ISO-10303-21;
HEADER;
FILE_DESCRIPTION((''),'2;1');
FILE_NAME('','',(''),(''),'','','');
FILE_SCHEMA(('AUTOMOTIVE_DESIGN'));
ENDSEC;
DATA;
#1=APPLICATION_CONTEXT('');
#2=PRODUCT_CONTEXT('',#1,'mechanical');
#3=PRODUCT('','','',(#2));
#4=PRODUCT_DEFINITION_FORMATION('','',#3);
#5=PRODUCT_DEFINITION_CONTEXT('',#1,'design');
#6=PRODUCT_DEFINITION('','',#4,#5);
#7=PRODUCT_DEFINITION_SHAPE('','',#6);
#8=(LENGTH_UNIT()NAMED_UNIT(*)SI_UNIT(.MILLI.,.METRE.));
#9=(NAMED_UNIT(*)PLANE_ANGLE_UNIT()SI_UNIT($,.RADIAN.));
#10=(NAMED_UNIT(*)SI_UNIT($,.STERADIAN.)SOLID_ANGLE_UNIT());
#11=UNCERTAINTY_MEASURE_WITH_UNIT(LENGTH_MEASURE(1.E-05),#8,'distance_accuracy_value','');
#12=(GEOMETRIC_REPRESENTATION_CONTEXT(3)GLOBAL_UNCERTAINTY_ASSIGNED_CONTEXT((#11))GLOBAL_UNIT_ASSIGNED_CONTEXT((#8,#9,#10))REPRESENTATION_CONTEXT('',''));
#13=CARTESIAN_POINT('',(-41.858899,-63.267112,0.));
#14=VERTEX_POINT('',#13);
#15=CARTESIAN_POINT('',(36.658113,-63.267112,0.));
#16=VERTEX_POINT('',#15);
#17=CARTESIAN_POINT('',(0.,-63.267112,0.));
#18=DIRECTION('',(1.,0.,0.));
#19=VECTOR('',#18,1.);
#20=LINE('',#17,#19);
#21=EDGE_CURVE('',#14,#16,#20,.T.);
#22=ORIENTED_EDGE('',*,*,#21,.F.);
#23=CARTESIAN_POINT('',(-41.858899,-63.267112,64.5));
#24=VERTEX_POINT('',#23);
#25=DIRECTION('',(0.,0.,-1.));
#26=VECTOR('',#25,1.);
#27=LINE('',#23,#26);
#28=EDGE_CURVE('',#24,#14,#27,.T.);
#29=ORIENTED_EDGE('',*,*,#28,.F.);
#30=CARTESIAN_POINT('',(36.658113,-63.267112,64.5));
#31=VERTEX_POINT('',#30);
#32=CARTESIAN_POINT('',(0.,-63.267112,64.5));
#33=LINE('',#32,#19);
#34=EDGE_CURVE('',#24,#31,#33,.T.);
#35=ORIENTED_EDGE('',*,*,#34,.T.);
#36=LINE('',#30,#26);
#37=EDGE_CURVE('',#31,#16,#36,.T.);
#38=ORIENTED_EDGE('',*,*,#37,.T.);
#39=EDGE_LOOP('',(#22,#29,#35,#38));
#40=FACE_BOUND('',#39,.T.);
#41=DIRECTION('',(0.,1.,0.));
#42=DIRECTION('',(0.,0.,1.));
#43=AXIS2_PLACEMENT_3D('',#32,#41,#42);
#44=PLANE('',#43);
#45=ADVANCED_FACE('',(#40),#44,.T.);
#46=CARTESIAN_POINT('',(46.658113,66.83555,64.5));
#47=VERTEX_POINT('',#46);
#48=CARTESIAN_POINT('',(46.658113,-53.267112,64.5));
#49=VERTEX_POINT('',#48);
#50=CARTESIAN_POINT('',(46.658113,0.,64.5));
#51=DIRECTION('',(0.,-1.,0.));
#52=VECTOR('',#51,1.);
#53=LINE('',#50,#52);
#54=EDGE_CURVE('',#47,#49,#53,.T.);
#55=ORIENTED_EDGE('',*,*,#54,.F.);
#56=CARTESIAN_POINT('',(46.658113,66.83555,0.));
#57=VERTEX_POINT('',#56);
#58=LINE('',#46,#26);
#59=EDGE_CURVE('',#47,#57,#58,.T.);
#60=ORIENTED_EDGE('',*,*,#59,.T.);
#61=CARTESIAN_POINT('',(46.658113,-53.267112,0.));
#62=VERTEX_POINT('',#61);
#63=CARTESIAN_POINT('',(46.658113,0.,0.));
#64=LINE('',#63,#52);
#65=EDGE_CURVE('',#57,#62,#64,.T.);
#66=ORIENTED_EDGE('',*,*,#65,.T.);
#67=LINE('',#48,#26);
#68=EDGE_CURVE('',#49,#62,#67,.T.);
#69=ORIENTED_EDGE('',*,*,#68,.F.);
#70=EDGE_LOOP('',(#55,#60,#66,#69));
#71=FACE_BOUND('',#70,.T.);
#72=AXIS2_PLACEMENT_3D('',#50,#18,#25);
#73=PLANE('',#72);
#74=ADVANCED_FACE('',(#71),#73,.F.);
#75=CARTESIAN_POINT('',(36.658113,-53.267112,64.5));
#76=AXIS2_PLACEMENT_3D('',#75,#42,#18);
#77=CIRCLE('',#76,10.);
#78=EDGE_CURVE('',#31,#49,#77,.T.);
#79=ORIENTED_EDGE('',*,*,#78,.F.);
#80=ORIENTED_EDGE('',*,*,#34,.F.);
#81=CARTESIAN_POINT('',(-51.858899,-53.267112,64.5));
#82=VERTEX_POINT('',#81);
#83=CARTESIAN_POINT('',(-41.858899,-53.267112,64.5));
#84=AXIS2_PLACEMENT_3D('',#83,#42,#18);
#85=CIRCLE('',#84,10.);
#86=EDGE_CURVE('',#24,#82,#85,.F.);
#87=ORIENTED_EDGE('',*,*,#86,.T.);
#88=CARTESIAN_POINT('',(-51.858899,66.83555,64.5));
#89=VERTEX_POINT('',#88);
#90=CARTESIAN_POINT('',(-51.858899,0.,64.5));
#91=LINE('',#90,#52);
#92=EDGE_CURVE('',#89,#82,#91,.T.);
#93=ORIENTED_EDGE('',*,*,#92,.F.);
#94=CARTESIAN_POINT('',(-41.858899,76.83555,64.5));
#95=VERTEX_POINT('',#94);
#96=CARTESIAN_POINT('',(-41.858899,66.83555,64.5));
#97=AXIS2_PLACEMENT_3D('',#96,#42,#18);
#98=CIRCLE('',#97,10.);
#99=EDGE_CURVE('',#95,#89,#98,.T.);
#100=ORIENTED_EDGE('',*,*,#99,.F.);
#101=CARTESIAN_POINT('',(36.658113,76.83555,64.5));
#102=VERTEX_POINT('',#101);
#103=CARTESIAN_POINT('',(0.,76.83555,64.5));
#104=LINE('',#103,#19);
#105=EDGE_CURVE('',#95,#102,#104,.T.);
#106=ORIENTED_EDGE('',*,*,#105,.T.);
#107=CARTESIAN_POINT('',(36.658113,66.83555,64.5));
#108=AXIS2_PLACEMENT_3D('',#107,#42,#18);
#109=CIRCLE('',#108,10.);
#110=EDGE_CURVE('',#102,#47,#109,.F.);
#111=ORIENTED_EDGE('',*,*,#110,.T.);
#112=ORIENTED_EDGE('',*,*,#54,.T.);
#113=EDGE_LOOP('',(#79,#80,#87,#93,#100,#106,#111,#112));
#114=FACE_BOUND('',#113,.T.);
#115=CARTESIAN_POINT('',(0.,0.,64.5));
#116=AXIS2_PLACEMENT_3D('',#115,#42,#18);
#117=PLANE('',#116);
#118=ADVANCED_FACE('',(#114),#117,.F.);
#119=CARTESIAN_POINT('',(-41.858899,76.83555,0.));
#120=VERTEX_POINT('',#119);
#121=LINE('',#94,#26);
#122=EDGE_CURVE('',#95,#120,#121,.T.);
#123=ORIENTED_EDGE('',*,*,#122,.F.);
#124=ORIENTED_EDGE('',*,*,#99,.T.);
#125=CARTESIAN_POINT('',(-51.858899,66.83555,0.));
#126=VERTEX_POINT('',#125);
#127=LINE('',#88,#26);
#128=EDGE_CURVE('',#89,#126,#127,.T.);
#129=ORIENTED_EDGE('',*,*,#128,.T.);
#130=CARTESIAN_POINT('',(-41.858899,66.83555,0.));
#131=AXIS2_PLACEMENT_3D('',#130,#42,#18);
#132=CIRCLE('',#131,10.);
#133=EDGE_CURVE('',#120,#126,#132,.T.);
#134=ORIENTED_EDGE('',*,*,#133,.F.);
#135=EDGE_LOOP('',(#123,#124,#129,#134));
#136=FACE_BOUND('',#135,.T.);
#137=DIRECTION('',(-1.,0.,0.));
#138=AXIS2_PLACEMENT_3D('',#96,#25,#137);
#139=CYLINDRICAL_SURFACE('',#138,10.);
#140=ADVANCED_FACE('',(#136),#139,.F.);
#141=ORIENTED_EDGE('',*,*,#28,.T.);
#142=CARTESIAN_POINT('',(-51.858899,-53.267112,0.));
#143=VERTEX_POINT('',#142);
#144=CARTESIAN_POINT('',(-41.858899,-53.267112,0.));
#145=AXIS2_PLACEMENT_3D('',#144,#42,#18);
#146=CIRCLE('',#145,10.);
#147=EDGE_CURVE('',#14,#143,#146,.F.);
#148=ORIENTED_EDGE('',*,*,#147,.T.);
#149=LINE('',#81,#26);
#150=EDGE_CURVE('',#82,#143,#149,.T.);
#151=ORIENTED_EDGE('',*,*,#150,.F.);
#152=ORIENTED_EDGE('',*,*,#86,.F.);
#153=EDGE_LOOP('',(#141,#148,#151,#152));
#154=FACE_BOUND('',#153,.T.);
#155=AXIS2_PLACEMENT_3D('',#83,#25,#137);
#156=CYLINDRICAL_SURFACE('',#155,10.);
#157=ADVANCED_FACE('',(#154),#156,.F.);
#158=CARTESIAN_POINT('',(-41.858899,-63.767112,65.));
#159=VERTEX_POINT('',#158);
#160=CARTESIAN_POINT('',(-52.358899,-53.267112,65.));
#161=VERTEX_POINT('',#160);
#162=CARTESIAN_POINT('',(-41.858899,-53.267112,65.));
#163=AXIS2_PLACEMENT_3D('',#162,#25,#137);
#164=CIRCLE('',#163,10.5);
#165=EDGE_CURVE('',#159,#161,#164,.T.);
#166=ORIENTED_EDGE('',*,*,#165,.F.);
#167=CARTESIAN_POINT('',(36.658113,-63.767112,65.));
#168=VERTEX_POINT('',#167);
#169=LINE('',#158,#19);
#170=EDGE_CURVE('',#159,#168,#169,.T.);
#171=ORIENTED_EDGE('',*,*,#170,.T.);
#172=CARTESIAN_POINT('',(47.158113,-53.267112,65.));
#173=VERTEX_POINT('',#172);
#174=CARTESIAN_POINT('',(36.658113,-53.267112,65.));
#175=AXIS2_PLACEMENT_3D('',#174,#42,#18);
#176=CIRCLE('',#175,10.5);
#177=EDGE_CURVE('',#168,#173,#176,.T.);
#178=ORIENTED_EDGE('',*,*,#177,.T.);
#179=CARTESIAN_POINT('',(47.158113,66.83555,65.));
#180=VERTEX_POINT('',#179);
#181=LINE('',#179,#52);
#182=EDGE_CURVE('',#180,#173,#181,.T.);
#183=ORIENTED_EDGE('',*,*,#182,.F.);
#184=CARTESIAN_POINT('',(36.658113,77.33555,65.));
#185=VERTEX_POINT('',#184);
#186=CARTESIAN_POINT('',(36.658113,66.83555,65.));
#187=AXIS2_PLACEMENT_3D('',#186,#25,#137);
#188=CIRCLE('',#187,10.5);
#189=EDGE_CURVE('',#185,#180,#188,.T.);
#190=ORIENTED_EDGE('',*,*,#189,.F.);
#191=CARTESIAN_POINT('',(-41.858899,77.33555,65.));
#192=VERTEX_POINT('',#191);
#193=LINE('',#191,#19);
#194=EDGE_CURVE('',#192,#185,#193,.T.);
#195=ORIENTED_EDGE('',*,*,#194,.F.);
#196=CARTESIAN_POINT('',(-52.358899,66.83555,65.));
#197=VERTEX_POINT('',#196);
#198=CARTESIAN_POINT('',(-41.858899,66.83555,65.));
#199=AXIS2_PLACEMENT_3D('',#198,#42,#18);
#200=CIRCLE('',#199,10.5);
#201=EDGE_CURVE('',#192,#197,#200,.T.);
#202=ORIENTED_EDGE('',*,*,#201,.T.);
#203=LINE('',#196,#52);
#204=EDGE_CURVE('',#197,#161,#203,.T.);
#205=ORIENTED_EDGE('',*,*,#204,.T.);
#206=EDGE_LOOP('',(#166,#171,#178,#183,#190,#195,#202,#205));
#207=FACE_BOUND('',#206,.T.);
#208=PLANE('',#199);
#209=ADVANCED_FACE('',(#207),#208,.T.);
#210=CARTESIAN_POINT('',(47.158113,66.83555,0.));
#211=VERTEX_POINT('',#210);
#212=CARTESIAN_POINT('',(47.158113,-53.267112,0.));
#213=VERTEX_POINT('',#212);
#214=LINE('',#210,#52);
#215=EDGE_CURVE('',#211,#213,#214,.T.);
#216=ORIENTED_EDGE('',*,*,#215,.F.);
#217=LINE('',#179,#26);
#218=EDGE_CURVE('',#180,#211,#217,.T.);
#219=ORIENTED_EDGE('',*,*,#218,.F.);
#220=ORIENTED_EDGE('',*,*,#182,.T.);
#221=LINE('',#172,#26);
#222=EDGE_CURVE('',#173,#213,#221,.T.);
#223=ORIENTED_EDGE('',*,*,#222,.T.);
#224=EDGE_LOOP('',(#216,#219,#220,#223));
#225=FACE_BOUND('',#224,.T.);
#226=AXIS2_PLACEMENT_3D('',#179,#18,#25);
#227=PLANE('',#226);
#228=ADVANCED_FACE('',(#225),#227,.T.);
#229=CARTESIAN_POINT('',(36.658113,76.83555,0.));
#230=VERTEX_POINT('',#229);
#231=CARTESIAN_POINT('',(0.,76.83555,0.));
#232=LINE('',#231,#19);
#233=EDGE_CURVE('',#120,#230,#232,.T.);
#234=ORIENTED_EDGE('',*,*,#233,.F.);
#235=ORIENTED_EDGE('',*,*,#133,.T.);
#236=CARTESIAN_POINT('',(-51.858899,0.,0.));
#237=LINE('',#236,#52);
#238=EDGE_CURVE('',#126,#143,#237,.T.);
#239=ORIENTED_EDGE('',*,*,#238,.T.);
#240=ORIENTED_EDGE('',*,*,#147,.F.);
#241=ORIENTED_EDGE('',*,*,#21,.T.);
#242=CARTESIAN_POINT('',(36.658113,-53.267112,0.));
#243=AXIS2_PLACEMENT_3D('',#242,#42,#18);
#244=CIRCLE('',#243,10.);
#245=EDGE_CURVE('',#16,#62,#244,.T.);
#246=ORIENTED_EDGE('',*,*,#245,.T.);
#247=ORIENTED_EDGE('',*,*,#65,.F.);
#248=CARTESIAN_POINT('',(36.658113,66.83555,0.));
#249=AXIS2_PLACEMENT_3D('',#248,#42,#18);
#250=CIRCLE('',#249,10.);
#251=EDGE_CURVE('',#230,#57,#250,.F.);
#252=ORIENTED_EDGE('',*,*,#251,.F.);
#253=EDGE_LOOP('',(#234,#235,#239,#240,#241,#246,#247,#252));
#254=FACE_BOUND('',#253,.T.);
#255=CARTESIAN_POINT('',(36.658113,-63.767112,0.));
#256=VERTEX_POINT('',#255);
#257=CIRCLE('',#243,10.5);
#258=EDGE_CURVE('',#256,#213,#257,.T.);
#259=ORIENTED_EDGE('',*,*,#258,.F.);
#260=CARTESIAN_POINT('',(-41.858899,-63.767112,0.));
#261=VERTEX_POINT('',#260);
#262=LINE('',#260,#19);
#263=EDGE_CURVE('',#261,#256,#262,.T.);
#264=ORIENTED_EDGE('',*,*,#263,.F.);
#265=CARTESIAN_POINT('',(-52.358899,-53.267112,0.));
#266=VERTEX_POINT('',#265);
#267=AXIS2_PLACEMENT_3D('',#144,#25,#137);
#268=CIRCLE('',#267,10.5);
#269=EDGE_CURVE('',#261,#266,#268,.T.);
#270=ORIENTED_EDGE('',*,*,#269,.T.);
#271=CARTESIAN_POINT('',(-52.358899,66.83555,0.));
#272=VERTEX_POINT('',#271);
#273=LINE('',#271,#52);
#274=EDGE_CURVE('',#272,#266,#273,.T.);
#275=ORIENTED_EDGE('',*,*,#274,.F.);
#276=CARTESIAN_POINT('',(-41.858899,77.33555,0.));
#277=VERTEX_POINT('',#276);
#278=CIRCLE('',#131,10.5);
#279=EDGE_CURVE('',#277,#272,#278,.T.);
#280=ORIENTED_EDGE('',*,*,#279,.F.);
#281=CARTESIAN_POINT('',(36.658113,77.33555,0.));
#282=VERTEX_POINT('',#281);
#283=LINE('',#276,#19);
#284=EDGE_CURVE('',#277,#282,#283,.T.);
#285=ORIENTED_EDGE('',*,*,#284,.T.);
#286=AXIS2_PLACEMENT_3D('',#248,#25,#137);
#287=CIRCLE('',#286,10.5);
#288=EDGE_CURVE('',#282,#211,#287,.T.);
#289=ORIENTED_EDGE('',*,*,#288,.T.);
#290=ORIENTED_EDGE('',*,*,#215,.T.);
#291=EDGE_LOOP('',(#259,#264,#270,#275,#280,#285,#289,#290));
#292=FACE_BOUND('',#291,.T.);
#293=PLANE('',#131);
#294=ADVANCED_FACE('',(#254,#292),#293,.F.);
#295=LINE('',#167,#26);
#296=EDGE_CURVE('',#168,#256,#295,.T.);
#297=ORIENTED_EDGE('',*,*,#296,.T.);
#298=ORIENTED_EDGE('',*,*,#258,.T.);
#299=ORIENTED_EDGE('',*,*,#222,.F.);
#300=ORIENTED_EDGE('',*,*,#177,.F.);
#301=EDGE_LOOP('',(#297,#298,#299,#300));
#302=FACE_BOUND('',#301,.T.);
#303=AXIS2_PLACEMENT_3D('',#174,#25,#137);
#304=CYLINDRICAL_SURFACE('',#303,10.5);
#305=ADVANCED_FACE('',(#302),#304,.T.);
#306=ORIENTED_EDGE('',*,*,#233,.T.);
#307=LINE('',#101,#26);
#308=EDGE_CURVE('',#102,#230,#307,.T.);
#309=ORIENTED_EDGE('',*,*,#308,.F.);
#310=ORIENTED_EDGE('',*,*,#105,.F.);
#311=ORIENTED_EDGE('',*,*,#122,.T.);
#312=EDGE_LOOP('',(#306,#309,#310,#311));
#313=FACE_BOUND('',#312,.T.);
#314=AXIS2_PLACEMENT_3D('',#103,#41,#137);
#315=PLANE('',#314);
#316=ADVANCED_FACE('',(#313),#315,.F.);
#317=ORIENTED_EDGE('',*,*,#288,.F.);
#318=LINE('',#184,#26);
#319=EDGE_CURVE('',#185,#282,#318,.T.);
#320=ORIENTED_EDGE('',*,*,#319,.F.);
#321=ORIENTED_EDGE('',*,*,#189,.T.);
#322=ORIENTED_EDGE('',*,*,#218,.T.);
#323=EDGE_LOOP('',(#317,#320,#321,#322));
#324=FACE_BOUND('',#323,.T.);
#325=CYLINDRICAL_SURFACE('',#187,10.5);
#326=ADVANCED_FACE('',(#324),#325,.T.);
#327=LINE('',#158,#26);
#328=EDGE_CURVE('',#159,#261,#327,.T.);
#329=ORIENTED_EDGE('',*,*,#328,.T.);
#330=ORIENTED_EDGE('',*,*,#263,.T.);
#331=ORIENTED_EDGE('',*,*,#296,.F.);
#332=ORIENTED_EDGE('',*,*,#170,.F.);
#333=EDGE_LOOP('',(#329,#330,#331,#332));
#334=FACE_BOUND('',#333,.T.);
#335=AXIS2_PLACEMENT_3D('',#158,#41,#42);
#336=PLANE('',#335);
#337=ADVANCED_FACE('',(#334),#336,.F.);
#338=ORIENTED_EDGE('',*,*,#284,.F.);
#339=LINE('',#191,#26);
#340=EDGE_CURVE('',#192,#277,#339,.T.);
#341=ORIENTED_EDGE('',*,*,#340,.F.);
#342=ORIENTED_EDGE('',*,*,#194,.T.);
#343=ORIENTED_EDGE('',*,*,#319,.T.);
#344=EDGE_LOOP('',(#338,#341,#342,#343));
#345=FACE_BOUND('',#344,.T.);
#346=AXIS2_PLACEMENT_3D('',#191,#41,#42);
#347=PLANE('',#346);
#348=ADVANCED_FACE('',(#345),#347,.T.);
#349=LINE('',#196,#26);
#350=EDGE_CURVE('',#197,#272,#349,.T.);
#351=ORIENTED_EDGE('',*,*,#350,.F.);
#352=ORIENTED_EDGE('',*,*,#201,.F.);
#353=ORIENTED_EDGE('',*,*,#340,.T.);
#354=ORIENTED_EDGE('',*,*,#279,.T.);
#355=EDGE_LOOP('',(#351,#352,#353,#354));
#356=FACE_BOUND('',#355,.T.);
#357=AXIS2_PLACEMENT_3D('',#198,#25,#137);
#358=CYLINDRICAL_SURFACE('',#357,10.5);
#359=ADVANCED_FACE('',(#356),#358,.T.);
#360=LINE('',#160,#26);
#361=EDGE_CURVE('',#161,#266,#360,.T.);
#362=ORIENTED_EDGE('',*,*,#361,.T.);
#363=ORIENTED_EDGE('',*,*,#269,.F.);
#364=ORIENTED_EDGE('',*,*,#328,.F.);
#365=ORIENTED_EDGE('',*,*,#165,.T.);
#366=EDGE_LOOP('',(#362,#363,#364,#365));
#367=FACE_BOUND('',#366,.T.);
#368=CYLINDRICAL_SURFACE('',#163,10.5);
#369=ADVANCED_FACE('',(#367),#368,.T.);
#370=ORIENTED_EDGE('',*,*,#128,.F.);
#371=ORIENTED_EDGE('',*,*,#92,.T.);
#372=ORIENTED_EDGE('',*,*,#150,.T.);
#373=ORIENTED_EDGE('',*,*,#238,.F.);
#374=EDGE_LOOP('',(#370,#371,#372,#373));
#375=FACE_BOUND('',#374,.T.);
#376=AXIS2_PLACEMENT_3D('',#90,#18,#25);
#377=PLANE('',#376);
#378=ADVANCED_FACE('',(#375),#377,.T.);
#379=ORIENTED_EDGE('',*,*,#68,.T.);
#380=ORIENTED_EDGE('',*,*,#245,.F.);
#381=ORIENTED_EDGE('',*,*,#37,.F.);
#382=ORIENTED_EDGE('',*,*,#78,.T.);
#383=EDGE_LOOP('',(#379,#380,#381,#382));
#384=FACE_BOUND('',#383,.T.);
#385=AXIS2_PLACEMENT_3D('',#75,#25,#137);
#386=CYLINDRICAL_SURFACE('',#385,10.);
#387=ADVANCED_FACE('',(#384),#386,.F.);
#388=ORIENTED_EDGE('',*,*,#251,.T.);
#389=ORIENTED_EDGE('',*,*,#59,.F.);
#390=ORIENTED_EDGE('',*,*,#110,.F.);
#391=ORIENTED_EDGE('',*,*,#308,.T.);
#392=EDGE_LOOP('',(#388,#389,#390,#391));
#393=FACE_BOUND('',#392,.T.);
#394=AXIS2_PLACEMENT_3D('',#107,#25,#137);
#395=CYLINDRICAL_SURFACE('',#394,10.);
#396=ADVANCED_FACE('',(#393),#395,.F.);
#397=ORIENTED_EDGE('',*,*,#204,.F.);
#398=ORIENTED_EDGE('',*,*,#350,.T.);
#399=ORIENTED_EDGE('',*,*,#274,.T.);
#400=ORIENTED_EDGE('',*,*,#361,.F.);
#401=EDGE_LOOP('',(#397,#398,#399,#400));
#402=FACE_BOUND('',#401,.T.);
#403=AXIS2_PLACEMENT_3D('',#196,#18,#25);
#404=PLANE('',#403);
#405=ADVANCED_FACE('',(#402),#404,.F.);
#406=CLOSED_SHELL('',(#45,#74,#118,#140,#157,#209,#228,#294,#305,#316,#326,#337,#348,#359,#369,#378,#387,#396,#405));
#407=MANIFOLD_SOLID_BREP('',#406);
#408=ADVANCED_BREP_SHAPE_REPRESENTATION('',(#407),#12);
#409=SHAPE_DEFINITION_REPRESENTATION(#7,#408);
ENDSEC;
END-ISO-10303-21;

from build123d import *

# Parameters (mm, degrees)
BOSS_EXTRUDE1_DEPTH = 65
CUT_EXTRUDE1_DEPTH  = 64.5


with BuildPart() as part:
    # Sketch1 → Boss-Extrude1 (new body)
    with BuildSketch(Plane.XY):
        with BuildLine():
            Line((-41.858898811, 77.335550487), (36.658112947, 77.335550487))
            ThreePointArc((36.658112947, 77.335550487), (44.082734149, 74.26017169), (47.158112947, 66.835550487))
            Line((47.158112947, 66.835550487), (47.158112947, -53.267111925))
            ThreePointArc((47.158112947, -53.267111925), (44.082734149, -60.691733127), (36.658112947, -63.767111925))
            Line((36.658112947, -63.767111925), (-41.858898811, -63.767111925))
            ThreePointArc((-41.858898811, -63.767111925), (-49.283520014, -60.691733127), (-52.358898811, -53.267111925))
            Line((-52.358898811, -53.267111925), (-52.358898811, 66.835550487))
            ThreePointArc((-52.358898811, 66.835550487), (-49.283520014, 74.26017169), (-41.858898811, 77.335550487))
        make_face()
    extrude(amount=BOSS_EXTRUDE1_DEPTH)

    # Sketch1<4> → Cut-Extrude1 (cut)
    with BuildSketch(Plane.XY):
        with BuildLine():
            Line((36.658112947, 76.835550487), (-41.858898811, 76.835550487))
            ThreePointArc((-41.858898811, 76.835550487), (-48.929966623, 73.906618299), (-51.858898811, 66.835550487))
            Line((-51.858898811, 66.835550487), (-51.858898811, -53.267111925))
            ThreePointArc((-51.858898811, -53.267111925), (-48.929966623, -60.338179736), (-41.858898811, -63.267111925))
            Line((-41.858898811, -63.267111925), (36.658112947, -63.267111925))
            ThreePointArc((36.658112947, -63.267111925), (43.729180759, -60.338179736), (46.658112947, -53.267111925))
            Line((46.658112947, -53.267111925), (46.658112947, 66.835550487))
            ThreePointArc((46.658112947, 66.835550487), (43.729180759, 73.906618299), (36.658112947, 76.835550487))
        make_face()
    extrude(amount=CUT_EXTRUDE1_DEPTH, mode=Mode.SUBTRACT)


solid = part.part
